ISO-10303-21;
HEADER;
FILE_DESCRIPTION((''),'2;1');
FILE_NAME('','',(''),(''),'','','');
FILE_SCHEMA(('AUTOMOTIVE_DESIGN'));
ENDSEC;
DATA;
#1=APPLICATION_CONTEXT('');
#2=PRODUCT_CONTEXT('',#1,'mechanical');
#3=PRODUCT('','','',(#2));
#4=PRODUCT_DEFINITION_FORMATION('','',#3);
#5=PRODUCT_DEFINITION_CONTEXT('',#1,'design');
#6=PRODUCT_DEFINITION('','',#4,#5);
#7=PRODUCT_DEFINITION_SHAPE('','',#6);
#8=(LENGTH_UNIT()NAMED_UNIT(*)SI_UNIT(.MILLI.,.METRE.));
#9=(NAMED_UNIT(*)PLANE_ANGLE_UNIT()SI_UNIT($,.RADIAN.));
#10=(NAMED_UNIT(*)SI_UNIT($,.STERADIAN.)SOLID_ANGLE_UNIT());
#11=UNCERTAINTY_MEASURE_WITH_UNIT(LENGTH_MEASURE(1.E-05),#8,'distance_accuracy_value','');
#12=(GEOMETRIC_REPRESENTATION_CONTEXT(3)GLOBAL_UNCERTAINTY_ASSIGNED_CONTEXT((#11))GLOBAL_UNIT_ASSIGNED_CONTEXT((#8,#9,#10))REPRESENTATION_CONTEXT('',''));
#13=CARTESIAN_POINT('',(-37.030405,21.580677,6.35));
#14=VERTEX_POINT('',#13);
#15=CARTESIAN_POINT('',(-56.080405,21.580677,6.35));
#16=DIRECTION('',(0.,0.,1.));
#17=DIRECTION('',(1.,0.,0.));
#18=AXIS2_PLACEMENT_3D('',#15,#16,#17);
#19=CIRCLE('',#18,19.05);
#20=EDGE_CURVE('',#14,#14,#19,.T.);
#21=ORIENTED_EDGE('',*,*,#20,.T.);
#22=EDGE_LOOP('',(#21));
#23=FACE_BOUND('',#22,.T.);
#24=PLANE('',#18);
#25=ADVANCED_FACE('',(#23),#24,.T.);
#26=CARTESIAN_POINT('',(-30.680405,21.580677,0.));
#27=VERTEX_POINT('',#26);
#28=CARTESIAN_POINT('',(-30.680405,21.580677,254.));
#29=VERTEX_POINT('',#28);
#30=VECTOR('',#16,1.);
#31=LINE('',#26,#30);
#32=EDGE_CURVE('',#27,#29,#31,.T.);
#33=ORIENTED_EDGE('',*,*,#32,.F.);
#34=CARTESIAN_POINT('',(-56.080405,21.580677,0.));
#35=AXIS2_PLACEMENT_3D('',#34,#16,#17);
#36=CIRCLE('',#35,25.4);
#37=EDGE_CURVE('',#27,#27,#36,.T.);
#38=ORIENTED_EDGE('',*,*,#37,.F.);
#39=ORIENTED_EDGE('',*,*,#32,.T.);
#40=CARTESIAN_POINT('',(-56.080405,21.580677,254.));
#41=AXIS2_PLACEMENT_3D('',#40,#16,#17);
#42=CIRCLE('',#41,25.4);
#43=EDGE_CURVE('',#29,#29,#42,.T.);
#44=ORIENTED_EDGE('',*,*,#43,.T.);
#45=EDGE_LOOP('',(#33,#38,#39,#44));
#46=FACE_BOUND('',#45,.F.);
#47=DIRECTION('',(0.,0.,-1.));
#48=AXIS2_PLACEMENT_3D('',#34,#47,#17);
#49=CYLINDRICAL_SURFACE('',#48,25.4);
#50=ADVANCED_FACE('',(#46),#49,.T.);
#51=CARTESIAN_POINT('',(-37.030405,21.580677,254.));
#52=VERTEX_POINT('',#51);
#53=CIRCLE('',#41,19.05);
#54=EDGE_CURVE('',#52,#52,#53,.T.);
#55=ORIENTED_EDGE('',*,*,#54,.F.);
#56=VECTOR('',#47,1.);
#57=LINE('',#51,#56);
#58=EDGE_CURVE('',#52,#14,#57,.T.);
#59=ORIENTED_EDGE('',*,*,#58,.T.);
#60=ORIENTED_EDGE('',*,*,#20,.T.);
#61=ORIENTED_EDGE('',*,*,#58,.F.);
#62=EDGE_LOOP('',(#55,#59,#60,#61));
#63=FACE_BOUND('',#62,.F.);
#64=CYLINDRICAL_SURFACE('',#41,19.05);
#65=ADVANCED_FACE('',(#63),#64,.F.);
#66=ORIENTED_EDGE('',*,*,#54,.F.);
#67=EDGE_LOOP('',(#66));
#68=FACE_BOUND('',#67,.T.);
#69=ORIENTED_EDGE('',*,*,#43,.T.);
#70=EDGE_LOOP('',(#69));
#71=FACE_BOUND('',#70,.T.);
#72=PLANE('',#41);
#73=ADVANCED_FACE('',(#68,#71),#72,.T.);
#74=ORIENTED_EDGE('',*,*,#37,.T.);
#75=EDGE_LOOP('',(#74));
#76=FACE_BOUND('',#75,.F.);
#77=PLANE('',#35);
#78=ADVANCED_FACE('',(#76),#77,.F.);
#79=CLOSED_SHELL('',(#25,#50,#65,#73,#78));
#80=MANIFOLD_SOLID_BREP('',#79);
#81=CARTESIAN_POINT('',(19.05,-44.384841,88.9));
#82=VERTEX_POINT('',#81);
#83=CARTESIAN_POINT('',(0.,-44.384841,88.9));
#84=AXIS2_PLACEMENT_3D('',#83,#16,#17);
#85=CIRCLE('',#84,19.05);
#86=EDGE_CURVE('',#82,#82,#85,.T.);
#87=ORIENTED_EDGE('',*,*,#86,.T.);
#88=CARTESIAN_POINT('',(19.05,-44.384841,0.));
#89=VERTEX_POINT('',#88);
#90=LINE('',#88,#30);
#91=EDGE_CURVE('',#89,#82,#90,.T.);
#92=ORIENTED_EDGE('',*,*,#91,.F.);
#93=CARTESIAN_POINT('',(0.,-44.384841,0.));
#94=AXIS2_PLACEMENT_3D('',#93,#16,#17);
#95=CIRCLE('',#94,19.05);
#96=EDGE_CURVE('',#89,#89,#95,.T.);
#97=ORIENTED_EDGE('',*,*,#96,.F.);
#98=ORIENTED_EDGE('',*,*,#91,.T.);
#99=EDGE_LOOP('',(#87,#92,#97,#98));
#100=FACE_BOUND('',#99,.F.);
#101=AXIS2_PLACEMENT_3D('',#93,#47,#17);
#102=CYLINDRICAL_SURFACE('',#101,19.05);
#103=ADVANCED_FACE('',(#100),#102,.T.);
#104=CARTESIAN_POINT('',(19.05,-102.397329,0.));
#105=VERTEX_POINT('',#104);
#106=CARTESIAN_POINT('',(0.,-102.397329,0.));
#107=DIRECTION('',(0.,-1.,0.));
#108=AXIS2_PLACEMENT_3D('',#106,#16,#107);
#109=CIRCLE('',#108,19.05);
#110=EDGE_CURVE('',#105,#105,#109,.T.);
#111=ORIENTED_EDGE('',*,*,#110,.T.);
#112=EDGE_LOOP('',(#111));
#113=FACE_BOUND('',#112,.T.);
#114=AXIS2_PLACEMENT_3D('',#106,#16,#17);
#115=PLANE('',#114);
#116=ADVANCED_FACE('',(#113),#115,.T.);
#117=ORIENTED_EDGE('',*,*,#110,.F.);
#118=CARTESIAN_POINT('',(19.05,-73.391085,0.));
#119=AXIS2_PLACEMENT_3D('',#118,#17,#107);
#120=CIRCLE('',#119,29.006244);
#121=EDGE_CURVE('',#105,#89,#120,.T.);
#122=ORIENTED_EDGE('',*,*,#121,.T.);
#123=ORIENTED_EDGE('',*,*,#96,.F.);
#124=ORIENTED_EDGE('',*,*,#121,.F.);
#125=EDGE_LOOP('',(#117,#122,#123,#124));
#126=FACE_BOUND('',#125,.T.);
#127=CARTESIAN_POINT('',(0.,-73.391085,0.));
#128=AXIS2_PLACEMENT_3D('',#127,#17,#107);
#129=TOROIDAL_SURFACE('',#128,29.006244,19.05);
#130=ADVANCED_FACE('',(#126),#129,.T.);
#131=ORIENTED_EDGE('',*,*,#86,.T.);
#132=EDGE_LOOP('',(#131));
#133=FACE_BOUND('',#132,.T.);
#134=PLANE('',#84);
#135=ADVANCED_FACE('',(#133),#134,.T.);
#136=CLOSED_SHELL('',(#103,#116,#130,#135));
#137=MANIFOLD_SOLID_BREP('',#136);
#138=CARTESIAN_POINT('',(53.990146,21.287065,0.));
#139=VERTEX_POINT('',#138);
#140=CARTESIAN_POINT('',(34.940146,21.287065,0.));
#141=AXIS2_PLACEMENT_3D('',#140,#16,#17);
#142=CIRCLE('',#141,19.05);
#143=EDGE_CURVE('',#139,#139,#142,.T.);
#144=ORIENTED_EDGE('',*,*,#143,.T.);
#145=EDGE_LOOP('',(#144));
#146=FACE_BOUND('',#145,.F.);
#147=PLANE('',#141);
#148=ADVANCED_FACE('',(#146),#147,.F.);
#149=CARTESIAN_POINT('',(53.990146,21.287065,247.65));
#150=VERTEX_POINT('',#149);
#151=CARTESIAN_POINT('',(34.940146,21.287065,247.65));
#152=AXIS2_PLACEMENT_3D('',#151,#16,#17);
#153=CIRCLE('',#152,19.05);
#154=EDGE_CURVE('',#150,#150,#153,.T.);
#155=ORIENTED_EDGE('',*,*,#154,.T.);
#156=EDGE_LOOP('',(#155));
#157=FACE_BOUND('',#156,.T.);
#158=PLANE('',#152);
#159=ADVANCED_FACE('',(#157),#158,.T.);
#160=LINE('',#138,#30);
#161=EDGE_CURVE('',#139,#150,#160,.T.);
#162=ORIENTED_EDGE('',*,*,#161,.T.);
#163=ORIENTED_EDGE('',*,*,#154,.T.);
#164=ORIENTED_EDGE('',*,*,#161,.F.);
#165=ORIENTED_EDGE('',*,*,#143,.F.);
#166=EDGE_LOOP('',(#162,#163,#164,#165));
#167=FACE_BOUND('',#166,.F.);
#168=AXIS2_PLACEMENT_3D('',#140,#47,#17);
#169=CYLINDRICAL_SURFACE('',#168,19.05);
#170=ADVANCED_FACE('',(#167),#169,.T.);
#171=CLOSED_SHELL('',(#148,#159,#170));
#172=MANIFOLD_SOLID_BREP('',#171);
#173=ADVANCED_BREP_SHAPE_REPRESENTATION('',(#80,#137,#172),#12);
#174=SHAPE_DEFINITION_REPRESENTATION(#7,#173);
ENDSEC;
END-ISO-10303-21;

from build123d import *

# Parameters (mm, degrees)
F0_R     = 25.4
F2_DEPTH = 254
F0_R_2   = 19.05
F3_DEPTH = 247.65
F4_R     = 19.05
F5_DEPTH = 247.65
F6_DEPTH = 88.9


with BuildPart() as f2:
    # F0 (on Top) → F2 (new body)
    with BuildSketch(Plane.XY):
        with Locations((-56.080405, 21.580677)):
            Circle(F0_R)
    extrude(amount=F2_DEPTH)

    # F4 (on face) → F5 (cut)
    with BuildSketch(Plane.XY.offset(254)):
        with Locations((-56.080405, 21.580677)):
            Circle(F4_R)
    extrude(amount=-F5_DEPTH, mode=Mode.SUBTRACT)


with BuildPart() as f3:
    # F0 (on Top) → F3 (new body)
    with BuildSketch(Plane.XY):
        with Locations((34.940146, 21.287065)):
            Circle(F0_R_2)
    extrude(amount=F3_DEPTH)


with BuildPart() as f6:
    # F0 (on Top) → F6 (new body)
    with BuildSketch(Plane.XY):
        with Locations((0, -44.384841)):
            Circle(F0_R_2)
    extrude(amount=F6_DEPTH)

    # F7: sweep along a path in F1
    with BuildLine(Plane.YZ) as f7_path:
        ThreePointArc((-102.397329, 0), (-73.391085, -29.006244), (-44.384841, 0))
    # F0 (on Top) → F7 (sweep)
    with BuildSketch(Plane.XY):
        with Locations((0, -102.397329)):
            Circle(F0_R_2)
    sweep(path=f7_path.line)


solid = Compound([f2.part, f3.part, f6.part])
